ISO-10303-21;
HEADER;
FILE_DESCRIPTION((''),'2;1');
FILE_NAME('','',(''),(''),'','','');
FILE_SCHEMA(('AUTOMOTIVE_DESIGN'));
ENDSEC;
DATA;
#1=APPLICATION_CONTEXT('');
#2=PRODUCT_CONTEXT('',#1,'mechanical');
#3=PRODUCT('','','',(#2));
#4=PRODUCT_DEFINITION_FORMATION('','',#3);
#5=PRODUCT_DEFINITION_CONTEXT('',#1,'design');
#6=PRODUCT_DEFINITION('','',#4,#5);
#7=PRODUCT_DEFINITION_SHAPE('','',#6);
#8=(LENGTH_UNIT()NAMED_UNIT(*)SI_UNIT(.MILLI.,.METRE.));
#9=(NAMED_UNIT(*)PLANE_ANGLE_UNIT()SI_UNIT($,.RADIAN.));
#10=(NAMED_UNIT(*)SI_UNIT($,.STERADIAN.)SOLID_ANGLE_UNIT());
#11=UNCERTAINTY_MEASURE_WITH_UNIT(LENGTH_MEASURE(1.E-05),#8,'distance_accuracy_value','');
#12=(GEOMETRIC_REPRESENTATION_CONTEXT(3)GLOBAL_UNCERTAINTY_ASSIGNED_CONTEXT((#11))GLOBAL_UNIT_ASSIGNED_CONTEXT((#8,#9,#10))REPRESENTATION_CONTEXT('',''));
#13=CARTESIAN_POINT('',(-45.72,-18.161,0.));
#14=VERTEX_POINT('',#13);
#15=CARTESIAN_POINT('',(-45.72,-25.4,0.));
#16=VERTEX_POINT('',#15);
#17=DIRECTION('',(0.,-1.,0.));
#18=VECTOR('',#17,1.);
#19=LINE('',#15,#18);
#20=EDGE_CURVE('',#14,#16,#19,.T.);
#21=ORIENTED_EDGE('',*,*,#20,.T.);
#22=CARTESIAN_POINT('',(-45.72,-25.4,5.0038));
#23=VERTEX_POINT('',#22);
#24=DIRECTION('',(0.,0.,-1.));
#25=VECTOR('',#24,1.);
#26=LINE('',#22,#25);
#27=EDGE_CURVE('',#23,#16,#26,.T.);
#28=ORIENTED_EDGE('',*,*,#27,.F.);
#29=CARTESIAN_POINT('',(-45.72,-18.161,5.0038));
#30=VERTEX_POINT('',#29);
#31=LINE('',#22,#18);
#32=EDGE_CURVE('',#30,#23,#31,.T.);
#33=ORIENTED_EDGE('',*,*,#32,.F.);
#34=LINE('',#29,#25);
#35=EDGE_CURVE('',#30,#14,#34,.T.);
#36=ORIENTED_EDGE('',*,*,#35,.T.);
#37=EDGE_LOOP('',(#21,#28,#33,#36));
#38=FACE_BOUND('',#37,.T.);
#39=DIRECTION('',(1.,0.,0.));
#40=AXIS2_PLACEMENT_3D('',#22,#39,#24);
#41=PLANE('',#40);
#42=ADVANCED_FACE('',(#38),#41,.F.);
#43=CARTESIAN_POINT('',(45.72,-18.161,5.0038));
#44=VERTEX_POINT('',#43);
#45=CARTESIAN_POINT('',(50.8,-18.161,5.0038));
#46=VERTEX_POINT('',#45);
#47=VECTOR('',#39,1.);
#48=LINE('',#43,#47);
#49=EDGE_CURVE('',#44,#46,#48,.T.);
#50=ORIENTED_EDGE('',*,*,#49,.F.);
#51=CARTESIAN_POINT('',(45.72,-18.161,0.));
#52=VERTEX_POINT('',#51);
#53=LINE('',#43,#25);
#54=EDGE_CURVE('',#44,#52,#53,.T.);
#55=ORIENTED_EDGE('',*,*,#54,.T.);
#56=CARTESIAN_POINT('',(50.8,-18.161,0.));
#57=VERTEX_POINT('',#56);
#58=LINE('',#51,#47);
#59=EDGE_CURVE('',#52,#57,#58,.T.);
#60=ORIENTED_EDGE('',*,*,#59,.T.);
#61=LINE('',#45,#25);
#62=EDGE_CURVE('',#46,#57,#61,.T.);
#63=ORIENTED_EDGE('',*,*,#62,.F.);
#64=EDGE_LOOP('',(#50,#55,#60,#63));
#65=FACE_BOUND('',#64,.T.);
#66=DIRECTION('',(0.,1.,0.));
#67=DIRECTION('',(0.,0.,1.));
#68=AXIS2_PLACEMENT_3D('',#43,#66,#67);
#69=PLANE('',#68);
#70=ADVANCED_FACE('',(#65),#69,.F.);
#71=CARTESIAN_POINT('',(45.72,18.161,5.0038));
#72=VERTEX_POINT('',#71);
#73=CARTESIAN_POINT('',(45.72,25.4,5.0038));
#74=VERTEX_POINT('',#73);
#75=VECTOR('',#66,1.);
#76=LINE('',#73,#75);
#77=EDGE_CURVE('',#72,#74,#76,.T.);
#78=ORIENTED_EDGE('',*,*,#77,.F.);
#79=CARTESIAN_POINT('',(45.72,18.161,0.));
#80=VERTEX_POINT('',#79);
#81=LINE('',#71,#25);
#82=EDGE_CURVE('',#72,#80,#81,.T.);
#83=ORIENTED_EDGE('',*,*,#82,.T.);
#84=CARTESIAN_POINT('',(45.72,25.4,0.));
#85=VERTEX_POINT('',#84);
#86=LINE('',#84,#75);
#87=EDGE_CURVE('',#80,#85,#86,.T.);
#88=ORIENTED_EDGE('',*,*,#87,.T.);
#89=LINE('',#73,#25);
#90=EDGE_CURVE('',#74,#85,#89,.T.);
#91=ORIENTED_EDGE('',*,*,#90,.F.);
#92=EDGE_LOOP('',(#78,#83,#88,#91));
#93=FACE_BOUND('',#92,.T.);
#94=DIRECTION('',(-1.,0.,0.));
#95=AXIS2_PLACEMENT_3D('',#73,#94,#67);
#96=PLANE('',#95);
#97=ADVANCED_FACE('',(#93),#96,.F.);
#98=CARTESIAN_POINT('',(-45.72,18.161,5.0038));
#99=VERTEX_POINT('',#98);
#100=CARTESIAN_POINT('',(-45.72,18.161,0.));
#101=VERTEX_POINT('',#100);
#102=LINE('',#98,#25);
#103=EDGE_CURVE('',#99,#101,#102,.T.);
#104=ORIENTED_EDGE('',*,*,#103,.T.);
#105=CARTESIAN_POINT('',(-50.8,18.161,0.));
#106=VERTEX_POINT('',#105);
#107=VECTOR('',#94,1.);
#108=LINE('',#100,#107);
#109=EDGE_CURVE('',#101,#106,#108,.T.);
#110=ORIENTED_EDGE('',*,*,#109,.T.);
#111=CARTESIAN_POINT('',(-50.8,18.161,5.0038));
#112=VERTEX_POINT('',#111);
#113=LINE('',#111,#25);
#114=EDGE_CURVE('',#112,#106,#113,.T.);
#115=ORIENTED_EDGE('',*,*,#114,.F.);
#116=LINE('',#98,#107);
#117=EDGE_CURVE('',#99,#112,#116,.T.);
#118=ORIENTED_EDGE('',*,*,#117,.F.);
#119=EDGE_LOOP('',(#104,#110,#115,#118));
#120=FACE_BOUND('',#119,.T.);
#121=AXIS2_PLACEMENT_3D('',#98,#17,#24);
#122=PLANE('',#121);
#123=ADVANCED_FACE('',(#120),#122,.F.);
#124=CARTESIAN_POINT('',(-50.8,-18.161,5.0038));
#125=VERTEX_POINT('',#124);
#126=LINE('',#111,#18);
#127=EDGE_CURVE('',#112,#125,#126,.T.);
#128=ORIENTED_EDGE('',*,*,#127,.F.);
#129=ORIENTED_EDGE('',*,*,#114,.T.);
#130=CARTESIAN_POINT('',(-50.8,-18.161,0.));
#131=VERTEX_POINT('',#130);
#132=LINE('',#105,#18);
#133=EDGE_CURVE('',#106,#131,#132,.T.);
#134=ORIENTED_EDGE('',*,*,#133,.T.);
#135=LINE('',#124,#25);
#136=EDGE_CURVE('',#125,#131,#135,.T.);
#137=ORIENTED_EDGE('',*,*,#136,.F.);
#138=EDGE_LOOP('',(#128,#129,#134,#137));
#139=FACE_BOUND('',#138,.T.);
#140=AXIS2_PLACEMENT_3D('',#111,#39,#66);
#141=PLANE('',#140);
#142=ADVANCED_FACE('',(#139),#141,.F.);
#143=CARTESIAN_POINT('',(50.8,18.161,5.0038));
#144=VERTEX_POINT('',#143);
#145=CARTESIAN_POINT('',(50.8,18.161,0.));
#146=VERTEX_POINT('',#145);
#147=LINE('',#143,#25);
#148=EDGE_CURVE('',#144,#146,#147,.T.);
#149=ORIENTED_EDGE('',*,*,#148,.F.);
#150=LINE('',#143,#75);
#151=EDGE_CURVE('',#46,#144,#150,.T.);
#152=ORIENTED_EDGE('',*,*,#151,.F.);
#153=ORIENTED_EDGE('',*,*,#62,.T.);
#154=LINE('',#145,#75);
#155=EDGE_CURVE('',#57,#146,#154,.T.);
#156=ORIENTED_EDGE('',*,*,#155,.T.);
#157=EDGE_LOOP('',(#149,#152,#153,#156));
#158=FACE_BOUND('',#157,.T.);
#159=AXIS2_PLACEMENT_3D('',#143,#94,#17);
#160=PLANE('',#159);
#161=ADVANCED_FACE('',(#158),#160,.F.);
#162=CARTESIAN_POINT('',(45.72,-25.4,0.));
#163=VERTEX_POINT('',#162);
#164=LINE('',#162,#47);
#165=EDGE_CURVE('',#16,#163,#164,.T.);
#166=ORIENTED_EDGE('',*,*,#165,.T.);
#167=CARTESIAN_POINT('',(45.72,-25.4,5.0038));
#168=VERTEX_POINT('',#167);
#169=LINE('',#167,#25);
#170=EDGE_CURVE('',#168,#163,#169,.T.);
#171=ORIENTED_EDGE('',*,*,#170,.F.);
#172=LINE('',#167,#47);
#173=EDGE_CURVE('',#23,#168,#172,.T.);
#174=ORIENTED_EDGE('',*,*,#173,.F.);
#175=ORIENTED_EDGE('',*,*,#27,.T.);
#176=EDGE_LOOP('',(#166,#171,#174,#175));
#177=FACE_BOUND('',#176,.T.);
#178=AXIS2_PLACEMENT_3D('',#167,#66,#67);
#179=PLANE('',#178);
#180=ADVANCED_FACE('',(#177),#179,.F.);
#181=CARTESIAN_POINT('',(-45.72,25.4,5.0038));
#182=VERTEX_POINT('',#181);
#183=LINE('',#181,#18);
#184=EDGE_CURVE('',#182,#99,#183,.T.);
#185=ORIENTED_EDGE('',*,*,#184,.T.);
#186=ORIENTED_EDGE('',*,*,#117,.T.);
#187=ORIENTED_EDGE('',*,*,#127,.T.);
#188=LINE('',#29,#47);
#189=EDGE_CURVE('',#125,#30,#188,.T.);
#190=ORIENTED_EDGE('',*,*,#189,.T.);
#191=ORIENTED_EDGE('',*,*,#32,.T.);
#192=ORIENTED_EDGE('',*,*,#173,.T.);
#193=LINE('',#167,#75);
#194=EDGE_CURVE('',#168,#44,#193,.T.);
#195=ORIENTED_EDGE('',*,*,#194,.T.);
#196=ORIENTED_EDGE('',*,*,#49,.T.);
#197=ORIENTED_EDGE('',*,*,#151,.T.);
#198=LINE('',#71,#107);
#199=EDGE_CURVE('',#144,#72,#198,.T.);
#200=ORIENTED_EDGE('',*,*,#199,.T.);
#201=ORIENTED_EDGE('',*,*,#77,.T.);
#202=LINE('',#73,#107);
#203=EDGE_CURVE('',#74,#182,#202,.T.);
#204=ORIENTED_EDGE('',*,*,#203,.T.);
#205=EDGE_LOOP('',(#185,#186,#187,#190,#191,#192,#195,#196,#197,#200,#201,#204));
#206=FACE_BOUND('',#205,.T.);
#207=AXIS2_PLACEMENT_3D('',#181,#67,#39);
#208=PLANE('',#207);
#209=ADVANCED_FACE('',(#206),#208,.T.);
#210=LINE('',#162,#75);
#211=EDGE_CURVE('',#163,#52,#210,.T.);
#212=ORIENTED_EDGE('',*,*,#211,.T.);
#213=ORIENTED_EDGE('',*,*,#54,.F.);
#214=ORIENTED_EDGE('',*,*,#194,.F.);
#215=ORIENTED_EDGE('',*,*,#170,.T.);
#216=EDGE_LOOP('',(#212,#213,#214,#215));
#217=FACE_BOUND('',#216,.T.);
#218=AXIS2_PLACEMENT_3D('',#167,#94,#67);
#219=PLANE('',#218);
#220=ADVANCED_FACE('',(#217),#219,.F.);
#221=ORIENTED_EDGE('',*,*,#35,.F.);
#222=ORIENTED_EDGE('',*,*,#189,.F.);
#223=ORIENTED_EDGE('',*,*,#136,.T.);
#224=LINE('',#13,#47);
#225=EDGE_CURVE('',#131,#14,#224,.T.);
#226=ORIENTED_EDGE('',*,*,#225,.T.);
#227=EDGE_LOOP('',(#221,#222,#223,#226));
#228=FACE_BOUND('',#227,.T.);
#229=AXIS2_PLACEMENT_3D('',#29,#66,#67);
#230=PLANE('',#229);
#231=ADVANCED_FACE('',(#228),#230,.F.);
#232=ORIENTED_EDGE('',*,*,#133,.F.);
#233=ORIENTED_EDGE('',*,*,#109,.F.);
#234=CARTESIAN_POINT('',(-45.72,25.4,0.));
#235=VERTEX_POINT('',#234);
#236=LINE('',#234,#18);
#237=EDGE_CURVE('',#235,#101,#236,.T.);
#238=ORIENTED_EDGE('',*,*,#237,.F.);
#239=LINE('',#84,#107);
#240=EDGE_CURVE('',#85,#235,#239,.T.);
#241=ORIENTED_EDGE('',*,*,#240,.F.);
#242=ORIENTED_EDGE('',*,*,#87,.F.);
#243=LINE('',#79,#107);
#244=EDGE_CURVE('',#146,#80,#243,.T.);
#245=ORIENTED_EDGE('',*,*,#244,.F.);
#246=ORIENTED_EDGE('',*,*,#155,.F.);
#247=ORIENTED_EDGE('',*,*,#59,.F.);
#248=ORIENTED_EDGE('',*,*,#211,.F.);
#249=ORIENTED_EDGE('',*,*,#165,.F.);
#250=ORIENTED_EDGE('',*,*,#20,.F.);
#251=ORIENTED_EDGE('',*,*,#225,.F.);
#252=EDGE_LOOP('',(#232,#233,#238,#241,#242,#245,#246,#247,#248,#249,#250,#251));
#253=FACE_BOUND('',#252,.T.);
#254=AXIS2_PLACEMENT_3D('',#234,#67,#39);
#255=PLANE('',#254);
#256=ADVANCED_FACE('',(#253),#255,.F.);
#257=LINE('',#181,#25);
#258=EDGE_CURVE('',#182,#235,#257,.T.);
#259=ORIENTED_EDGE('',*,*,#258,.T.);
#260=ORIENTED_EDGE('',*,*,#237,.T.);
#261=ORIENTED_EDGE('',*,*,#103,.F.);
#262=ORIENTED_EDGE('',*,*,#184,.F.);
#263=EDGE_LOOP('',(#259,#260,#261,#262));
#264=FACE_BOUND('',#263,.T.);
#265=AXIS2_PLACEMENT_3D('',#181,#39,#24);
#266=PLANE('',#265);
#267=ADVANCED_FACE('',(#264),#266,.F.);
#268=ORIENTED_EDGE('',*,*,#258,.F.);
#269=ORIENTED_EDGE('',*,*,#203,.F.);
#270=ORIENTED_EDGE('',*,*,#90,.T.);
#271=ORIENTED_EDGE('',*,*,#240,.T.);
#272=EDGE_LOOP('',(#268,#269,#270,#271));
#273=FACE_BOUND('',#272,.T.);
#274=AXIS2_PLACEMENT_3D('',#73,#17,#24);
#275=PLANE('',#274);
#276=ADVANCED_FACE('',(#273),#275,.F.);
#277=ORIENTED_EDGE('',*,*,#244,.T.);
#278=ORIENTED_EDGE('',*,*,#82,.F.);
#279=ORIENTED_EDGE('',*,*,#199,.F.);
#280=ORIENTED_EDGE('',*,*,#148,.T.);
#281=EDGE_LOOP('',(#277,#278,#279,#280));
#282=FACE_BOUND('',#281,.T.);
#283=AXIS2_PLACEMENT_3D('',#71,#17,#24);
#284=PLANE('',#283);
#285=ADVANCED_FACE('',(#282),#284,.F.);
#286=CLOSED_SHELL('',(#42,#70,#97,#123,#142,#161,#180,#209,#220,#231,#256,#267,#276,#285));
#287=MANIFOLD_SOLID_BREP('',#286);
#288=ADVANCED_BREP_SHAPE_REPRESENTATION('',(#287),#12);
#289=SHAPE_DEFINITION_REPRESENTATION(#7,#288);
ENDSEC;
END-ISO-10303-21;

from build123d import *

# Parameters (mm, degrees)
BOSS_EXTRUDE1_DEPTH = 5.0038


with BuildPart() as part:
    # Sketch1 → Boss-Extrude1 (new body)
    with BuildSketch(Plane.XY):
        Polygon((-45.72, 25.4), (-45.72, 18.161), (-50.8, 18.161), (-50.8, -18.161), (-45.72, -18.161), (-45.72, -25.4), (45.72, -25.4), (45.72, -18.161), (50.8, -18.161), (50.8, 18.161), (45.72, 18.161), (45.72, 25.4), align=None)
    extrude(amount=BOSS_EXTRUDE1_DEPTH)


solid = part.part
